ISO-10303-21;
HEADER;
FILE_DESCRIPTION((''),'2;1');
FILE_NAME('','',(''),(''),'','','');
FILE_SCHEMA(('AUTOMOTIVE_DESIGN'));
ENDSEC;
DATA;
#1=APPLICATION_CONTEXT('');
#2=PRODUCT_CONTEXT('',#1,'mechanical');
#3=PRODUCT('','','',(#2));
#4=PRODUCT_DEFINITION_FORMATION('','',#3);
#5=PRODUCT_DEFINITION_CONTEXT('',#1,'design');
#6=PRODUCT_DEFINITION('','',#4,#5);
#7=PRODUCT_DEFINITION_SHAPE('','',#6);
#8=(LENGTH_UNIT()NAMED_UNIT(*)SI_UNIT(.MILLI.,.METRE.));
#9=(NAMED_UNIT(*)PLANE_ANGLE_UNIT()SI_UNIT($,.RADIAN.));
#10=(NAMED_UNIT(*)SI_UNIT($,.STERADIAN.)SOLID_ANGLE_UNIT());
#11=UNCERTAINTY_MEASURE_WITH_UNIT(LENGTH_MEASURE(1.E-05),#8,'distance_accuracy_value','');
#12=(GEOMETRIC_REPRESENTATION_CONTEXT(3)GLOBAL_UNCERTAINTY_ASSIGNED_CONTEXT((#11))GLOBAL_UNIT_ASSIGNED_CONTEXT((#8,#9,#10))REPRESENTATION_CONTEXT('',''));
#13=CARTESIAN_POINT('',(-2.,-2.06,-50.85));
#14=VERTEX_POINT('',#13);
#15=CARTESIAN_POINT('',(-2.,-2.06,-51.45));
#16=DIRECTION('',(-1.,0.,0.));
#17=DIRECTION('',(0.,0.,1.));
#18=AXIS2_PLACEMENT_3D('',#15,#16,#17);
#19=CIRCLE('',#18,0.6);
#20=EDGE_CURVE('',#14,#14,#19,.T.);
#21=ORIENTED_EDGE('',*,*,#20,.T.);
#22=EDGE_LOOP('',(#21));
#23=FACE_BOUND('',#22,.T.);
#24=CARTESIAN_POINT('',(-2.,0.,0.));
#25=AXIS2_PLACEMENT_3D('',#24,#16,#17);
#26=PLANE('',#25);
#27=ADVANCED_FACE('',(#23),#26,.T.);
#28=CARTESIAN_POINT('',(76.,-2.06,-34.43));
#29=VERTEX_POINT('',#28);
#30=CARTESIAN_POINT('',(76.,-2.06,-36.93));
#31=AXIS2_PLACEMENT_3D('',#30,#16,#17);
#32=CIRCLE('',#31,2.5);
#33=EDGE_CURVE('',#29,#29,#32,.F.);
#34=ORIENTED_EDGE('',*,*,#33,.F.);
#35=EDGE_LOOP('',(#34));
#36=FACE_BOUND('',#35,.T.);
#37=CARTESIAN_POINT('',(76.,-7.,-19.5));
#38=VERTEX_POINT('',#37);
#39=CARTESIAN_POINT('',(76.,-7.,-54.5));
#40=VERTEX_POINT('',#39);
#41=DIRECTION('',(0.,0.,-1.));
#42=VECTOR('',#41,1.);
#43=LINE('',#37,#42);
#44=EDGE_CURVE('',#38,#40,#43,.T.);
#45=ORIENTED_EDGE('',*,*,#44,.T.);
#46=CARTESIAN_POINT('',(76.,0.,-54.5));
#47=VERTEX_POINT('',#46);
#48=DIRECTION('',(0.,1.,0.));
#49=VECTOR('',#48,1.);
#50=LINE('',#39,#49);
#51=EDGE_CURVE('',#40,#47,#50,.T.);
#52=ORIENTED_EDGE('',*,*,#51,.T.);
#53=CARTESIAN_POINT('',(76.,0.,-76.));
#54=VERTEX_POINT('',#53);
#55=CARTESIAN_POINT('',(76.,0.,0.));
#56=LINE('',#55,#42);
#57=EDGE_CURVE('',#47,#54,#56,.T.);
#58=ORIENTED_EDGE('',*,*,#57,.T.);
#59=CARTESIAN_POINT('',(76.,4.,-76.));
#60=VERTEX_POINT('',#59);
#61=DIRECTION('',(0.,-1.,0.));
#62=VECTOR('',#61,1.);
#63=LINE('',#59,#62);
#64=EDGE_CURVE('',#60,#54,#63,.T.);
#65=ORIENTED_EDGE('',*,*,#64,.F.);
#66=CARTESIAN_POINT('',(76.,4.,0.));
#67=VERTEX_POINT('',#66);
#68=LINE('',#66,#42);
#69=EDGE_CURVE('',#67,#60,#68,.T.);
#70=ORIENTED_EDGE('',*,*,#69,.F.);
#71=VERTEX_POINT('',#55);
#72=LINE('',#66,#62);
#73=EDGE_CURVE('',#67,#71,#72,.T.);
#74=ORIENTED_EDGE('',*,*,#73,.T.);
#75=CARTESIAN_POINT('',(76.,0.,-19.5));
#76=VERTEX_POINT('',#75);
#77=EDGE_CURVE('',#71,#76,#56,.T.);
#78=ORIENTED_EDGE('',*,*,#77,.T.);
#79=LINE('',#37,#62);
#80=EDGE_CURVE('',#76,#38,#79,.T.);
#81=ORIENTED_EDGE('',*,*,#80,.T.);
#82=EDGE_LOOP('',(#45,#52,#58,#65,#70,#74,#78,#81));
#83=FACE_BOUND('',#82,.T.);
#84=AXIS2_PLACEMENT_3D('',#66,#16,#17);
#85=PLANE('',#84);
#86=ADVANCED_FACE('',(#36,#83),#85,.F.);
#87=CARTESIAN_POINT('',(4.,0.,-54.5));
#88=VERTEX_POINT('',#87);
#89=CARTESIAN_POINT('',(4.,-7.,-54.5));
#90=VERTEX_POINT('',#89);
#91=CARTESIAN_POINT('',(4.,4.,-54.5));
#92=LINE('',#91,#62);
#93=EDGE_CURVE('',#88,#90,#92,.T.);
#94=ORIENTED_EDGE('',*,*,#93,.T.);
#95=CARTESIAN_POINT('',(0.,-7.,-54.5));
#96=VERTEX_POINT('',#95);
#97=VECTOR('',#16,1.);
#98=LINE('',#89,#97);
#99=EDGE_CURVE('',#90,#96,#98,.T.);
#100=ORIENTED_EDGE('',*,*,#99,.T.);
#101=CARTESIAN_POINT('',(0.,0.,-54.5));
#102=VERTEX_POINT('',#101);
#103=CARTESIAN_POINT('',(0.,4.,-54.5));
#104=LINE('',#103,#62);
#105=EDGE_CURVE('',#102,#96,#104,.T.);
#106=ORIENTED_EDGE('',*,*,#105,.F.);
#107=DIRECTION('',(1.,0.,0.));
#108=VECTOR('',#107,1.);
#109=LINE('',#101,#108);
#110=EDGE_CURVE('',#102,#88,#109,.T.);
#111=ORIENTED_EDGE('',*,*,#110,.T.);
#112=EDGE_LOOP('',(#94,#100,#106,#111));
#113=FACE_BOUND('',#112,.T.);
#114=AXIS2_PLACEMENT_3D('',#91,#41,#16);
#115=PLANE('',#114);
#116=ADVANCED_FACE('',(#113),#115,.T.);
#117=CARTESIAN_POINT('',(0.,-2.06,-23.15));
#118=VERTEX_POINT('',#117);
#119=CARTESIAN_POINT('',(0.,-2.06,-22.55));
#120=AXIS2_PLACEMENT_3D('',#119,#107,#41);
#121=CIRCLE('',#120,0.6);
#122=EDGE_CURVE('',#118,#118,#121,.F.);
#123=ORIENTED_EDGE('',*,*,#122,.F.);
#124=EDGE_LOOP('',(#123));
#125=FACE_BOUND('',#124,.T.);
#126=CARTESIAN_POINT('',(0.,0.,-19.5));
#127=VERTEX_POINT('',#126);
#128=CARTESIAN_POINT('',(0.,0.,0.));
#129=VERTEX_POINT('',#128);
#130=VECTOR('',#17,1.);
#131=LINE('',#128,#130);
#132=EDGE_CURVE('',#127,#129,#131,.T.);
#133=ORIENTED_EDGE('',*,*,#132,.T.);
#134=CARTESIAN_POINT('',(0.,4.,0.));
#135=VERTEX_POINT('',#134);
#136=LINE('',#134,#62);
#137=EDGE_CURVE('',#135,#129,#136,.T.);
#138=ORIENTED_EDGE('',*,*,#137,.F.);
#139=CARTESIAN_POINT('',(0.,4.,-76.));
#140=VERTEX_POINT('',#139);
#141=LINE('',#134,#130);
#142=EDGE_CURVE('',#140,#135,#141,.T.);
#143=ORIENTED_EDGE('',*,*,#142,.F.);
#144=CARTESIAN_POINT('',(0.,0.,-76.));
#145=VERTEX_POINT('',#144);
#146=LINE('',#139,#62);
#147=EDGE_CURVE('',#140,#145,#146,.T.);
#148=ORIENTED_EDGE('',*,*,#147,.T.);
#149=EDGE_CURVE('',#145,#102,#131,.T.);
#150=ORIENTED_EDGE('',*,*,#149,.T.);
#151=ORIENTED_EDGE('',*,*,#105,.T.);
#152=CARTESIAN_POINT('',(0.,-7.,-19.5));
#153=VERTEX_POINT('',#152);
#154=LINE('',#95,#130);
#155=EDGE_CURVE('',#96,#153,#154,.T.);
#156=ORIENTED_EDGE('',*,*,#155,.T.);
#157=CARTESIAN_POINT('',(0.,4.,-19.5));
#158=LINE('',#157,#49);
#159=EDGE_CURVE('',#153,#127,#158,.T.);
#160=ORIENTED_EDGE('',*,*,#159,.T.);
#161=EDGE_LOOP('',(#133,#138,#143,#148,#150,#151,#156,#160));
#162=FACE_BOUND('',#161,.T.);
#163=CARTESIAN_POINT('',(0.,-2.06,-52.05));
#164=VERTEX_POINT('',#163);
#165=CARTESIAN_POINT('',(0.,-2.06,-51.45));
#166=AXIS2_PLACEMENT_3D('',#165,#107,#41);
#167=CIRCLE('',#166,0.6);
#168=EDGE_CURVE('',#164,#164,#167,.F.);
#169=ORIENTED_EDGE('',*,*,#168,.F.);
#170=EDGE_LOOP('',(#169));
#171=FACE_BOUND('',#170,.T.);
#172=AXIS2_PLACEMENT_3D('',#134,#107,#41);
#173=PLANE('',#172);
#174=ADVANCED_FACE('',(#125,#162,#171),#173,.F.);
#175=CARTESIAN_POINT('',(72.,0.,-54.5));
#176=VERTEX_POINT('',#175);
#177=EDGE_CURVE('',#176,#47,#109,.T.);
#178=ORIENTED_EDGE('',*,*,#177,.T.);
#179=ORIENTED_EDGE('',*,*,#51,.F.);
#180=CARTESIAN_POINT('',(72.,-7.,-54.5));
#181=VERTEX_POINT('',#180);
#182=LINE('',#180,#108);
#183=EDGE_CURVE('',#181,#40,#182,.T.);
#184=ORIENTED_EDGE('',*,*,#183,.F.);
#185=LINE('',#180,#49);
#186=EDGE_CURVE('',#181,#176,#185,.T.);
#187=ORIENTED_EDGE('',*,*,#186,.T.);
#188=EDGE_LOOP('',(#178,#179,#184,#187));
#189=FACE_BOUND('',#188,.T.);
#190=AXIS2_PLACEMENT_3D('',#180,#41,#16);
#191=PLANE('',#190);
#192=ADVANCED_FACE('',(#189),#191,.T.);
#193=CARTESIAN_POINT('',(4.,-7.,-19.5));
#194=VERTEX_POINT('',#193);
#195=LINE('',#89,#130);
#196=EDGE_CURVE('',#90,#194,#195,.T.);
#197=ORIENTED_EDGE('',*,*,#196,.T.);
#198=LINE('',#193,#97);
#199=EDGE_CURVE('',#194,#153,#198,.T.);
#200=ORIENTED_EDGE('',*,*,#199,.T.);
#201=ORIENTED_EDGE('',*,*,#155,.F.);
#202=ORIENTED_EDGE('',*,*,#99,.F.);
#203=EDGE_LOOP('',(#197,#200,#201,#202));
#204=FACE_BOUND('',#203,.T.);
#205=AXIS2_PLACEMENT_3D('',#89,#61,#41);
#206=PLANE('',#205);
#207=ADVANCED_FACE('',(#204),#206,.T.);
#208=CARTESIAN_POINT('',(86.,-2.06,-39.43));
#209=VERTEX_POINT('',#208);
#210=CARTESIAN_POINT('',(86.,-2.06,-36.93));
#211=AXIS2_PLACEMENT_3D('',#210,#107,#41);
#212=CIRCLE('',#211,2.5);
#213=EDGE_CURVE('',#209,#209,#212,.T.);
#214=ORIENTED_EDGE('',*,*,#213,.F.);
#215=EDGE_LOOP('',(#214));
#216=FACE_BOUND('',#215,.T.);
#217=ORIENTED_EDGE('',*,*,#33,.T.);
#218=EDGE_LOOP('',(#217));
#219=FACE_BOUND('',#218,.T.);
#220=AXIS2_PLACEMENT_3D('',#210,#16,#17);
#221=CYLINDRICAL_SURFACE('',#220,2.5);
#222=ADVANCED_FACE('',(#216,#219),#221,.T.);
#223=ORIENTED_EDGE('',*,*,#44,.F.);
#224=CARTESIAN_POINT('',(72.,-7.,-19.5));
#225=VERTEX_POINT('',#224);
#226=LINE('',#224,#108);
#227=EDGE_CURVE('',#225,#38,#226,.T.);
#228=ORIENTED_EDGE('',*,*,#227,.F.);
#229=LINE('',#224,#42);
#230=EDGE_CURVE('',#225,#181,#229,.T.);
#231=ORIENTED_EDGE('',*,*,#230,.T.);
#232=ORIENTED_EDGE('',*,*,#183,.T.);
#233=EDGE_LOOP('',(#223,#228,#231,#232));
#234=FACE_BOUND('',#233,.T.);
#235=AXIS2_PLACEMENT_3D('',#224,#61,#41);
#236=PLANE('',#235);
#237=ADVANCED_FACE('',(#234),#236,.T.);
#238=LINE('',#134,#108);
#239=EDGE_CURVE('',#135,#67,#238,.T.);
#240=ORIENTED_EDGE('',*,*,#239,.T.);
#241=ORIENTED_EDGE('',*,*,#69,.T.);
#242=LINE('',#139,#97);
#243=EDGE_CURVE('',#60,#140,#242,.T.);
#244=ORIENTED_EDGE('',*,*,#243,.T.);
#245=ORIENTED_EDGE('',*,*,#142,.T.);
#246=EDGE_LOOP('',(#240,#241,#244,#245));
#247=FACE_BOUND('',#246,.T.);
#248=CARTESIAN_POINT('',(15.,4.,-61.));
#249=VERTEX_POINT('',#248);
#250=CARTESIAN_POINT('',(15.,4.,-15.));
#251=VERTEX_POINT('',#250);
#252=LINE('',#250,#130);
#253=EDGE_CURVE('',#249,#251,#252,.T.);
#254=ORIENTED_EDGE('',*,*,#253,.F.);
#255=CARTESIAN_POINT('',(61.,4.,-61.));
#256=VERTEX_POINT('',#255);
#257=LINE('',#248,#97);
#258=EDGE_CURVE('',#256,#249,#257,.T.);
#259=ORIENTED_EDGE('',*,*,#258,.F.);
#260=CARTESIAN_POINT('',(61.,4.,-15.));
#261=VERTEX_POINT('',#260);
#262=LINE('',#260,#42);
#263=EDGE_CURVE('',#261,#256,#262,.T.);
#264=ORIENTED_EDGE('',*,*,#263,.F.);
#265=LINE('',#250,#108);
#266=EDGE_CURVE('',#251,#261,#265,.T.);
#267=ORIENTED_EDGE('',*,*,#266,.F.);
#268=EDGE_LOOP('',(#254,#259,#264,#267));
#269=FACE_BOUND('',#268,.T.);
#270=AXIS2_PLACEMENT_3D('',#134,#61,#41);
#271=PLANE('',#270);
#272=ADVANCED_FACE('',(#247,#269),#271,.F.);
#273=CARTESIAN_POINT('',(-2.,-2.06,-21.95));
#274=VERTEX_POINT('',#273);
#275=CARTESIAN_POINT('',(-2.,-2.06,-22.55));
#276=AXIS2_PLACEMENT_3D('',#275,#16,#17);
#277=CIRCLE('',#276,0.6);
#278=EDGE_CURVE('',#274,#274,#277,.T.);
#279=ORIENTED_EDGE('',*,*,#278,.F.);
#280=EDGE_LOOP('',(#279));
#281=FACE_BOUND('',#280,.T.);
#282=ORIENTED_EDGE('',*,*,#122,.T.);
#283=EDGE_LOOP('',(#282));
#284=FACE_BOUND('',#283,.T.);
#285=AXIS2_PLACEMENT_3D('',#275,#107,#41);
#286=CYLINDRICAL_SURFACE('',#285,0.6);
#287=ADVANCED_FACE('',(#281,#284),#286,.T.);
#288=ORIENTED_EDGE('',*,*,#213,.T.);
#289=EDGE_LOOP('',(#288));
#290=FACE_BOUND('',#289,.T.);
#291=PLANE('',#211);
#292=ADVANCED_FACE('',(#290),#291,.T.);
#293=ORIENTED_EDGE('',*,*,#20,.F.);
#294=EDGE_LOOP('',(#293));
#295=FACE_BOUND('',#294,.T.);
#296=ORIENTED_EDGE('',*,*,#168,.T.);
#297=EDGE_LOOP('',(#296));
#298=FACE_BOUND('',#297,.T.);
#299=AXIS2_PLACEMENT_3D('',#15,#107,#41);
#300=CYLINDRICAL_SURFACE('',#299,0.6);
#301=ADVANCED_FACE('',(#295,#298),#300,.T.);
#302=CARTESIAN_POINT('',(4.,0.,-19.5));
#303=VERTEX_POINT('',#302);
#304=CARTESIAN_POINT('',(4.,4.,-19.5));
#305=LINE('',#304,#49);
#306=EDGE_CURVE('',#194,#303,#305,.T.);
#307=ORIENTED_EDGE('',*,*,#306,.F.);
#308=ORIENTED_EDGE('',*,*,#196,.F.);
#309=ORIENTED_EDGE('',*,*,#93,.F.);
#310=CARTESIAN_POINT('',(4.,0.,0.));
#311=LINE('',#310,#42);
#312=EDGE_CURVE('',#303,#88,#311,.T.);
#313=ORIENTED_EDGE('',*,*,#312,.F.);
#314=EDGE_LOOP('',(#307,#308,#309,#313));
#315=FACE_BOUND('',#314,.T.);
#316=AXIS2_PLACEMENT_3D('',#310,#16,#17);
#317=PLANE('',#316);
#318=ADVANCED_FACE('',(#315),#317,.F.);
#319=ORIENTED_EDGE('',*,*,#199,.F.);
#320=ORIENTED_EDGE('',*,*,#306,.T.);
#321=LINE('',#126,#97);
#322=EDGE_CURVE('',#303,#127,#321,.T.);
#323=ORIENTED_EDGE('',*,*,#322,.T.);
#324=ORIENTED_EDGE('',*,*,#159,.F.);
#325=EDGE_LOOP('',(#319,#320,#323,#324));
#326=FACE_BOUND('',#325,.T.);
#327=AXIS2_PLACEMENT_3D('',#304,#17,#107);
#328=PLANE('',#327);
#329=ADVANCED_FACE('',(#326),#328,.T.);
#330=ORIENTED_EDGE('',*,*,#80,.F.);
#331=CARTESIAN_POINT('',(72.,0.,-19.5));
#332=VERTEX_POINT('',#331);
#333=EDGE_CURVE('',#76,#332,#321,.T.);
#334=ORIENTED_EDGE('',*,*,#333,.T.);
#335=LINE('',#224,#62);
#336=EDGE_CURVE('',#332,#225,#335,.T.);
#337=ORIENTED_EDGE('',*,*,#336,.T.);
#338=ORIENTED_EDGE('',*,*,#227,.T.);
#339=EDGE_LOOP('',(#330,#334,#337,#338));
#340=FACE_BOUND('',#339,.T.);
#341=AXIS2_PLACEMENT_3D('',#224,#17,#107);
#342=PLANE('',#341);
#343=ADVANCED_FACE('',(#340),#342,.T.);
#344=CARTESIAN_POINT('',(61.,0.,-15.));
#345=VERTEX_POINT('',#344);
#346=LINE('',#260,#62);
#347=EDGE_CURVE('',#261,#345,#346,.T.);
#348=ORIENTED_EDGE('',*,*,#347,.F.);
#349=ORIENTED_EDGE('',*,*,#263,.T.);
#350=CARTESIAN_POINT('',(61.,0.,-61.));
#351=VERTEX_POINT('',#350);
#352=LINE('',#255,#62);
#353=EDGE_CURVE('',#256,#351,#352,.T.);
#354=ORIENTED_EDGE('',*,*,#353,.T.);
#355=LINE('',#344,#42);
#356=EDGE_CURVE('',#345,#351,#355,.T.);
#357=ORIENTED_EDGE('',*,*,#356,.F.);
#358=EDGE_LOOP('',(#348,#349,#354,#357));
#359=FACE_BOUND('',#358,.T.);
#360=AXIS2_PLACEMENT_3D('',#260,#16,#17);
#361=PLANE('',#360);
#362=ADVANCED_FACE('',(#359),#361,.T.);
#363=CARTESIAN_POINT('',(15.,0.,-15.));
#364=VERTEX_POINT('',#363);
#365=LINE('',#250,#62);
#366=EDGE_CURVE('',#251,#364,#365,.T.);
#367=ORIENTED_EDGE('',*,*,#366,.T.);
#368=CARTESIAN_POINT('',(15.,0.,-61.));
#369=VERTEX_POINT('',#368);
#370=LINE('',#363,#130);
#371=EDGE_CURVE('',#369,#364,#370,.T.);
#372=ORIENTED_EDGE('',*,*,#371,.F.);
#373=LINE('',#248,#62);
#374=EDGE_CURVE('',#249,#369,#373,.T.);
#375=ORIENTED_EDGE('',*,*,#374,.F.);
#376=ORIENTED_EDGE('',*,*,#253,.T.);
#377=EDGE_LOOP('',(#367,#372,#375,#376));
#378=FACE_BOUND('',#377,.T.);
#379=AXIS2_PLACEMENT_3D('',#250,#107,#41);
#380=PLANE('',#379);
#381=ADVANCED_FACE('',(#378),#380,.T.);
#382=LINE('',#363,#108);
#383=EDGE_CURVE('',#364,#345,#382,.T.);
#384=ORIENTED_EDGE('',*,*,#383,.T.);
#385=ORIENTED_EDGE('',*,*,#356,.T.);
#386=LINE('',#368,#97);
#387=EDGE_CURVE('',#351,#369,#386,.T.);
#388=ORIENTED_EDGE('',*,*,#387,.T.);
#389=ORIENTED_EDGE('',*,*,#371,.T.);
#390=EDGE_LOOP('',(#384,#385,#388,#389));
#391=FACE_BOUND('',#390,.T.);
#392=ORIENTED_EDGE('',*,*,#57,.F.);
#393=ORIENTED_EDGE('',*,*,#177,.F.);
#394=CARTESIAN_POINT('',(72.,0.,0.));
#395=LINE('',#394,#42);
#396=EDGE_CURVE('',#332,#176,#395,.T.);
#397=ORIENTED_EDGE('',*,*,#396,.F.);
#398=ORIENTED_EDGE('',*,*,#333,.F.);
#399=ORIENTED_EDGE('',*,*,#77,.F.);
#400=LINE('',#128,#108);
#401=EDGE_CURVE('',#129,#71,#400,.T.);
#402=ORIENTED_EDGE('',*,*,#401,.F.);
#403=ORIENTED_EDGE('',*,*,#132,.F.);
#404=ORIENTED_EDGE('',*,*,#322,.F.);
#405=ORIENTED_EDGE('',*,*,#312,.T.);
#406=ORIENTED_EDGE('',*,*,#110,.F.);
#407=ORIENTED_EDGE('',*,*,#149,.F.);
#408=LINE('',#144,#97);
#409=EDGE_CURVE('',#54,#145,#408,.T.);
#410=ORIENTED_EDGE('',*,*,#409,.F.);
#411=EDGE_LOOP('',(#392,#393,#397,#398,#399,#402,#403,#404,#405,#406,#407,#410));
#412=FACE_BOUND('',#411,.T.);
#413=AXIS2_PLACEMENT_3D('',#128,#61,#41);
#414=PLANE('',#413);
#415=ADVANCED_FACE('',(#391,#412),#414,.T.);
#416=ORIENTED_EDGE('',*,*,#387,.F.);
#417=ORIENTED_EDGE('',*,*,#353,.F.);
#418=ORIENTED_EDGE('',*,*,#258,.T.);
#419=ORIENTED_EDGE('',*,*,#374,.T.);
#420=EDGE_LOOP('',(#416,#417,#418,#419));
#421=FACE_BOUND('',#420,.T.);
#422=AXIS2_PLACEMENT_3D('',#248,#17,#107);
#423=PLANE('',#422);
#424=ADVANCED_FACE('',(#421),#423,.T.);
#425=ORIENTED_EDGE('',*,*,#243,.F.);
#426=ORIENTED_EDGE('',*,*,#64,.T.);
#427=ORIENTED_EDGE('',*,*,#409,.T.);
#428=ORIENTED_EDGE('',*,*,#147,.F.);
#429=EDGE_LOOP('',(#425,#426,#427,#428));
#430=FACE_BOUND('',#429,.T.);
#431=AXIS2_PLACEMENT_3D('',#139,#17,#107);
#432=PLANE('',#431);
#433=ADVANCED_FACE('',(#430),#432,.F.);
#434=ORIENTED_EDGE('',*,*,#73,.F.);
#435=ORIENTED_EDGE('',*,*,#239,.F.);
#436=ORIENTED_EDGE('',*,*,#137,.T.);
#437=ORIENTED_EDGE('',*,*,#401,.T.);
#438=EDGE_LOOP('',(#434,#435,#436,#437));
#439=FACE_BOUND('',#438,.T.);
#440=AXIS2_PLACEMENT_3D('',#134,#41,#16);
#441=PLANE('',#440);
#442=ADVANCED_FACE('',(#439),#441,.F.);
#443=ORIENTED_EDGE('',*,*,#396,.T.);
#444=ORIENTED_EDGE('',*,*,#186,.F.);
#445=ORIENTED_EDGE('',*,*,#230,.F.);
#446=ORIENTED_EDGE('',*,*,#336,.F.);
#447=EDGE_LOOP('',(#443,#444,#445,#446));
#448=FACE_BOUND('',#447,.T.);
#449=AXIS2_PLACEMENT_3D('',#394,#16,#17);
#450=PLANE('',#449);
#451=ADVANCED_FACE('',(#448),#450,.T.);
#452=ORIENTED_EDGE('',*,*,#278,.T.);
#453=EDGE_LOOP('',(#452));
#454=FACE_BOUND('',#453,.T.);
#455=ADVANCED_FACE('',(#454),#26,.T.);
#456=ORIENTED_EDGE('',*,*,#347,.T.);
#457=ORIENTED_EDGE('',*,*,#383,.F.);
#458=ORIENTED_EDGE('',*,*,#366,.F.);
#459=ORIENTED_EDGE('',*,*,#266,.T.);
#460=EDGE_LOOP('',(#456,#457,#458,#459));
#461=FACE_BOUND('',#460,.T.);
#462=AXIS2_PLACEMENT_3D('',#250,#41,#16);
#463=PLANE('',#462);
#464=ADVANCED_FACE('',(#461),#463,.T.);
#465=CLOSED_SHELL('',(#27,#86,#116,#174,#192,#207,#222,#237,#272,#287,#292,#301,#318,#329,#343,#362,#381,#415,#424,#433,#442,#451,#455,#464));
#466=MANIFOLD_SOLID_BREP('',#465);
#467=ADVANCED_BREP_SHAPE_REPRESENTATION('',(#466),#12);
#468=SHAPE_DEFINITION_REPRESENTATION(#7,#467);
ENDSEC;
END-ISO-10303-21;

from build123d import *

# Parameters (mm, degrees)
SKETCH1_W             = 76
SKETCH1_H             = 76
SKETCH1_W_2           = 46
SKETCH1_H_2           = 46
BOSS_EXTRUDE2_DEPTH   = 4
SKETCH7_R             = 0.6
BOSS_EXTRUDE5_DEPTH   = 2
BOSS_EXTRUDE5_2_DEPTH = 2
SKETCH8_W             = 35
SKETCH8_H             = 11
BOSS_EXTRUDE6_DEPTH   = 4
SKETCH9_W             = 35
SKETCH9_H             = 11
BOSS_EXTRUDE7_DEPTH   = 4
SKETCH10_R            = 2.5
BOSS_EXTRUDE8_DEPTH   = 10


with BuildPart() as part:
    # Sketch1 → Boss-Extrude2 (new body)
    with BuildSketch(Plane(origin=(0, 0, 0), x_dir=(1, 0, 0), z_dir=(0, 1, 0))):
        with Locations((38, 38)):
            Rectangle(SKETCH1_W, SKETCH1_H)
        with Locations((38, 38)):
            Rectangle(SKETCH1_W_2, SKETCH1_H_2, mode=Mode.SUBTRACT)
    extrude(amount=BOSS_EXTRUDE2_DEPTH)



with BuildPart() as body_2:
    # Sketch7 → Boss-Extrude5 (new body)
    with BuildSketch(Plane.ZY):
        with Locations((-51.45, -2.06)):
            Circle(SKETCH7_R)
    extrude(amount=BOSS_EXTRUDE5_DEPTH)


with BuildPart() as body_3:
    # Sketch7 → Boss-Extrude5 2 (new body)
    with BuildSketch(Plane.ZY):
        with Locations((-22.55, -2.06)):
            Circle(SKETCH7_R)
    extrude(amount=BOSS_EXTRUDE5_2_DEPTH)


with BuildPart() as part_1:
    add(part.part)

    add(body_2.part)  # Boss-Extrude6 merges body 2

    add(body_3.part)  # Boss-Extrude6 merges body 3
    # Sketch8 → Boss-Extrude6 (add)
    with BuildSketch(Plane.ZY):
        with Locations((-37, -1.5)):
            Rectangle(SKETCH8_W, SKETCH8_H)
    extrude(amount=-BOSS_EXTRUDE6_DEPTH)

    # Sketch9 → Boss-Extrude7 (add)
    with BuildSketch(Plane(origin=(76, 0, 0), x_dir=(0, 0, -1), z_dir=(1, 0, 0))):
        with Locations((37, -1.5)):
            Rectangle(SKETCH9_W, SKETCH9_H)
    extrude(amount=-BOSS_EXTRUDE7_DEPTH)

    # Sketch10 → Boss-Extrude8 (add)
    with BuildSketch(Plane(origin=(76, 0, 0), x_dir=(0, 0, -1), z_dir=(1, 0, 0))):
        with Locations((36.93, -2.06)):
            Circle(SKETCH10_R)
    extrude(amount=BOSS_EXTRUDE8_DEPTH)


solid = part_1.part
